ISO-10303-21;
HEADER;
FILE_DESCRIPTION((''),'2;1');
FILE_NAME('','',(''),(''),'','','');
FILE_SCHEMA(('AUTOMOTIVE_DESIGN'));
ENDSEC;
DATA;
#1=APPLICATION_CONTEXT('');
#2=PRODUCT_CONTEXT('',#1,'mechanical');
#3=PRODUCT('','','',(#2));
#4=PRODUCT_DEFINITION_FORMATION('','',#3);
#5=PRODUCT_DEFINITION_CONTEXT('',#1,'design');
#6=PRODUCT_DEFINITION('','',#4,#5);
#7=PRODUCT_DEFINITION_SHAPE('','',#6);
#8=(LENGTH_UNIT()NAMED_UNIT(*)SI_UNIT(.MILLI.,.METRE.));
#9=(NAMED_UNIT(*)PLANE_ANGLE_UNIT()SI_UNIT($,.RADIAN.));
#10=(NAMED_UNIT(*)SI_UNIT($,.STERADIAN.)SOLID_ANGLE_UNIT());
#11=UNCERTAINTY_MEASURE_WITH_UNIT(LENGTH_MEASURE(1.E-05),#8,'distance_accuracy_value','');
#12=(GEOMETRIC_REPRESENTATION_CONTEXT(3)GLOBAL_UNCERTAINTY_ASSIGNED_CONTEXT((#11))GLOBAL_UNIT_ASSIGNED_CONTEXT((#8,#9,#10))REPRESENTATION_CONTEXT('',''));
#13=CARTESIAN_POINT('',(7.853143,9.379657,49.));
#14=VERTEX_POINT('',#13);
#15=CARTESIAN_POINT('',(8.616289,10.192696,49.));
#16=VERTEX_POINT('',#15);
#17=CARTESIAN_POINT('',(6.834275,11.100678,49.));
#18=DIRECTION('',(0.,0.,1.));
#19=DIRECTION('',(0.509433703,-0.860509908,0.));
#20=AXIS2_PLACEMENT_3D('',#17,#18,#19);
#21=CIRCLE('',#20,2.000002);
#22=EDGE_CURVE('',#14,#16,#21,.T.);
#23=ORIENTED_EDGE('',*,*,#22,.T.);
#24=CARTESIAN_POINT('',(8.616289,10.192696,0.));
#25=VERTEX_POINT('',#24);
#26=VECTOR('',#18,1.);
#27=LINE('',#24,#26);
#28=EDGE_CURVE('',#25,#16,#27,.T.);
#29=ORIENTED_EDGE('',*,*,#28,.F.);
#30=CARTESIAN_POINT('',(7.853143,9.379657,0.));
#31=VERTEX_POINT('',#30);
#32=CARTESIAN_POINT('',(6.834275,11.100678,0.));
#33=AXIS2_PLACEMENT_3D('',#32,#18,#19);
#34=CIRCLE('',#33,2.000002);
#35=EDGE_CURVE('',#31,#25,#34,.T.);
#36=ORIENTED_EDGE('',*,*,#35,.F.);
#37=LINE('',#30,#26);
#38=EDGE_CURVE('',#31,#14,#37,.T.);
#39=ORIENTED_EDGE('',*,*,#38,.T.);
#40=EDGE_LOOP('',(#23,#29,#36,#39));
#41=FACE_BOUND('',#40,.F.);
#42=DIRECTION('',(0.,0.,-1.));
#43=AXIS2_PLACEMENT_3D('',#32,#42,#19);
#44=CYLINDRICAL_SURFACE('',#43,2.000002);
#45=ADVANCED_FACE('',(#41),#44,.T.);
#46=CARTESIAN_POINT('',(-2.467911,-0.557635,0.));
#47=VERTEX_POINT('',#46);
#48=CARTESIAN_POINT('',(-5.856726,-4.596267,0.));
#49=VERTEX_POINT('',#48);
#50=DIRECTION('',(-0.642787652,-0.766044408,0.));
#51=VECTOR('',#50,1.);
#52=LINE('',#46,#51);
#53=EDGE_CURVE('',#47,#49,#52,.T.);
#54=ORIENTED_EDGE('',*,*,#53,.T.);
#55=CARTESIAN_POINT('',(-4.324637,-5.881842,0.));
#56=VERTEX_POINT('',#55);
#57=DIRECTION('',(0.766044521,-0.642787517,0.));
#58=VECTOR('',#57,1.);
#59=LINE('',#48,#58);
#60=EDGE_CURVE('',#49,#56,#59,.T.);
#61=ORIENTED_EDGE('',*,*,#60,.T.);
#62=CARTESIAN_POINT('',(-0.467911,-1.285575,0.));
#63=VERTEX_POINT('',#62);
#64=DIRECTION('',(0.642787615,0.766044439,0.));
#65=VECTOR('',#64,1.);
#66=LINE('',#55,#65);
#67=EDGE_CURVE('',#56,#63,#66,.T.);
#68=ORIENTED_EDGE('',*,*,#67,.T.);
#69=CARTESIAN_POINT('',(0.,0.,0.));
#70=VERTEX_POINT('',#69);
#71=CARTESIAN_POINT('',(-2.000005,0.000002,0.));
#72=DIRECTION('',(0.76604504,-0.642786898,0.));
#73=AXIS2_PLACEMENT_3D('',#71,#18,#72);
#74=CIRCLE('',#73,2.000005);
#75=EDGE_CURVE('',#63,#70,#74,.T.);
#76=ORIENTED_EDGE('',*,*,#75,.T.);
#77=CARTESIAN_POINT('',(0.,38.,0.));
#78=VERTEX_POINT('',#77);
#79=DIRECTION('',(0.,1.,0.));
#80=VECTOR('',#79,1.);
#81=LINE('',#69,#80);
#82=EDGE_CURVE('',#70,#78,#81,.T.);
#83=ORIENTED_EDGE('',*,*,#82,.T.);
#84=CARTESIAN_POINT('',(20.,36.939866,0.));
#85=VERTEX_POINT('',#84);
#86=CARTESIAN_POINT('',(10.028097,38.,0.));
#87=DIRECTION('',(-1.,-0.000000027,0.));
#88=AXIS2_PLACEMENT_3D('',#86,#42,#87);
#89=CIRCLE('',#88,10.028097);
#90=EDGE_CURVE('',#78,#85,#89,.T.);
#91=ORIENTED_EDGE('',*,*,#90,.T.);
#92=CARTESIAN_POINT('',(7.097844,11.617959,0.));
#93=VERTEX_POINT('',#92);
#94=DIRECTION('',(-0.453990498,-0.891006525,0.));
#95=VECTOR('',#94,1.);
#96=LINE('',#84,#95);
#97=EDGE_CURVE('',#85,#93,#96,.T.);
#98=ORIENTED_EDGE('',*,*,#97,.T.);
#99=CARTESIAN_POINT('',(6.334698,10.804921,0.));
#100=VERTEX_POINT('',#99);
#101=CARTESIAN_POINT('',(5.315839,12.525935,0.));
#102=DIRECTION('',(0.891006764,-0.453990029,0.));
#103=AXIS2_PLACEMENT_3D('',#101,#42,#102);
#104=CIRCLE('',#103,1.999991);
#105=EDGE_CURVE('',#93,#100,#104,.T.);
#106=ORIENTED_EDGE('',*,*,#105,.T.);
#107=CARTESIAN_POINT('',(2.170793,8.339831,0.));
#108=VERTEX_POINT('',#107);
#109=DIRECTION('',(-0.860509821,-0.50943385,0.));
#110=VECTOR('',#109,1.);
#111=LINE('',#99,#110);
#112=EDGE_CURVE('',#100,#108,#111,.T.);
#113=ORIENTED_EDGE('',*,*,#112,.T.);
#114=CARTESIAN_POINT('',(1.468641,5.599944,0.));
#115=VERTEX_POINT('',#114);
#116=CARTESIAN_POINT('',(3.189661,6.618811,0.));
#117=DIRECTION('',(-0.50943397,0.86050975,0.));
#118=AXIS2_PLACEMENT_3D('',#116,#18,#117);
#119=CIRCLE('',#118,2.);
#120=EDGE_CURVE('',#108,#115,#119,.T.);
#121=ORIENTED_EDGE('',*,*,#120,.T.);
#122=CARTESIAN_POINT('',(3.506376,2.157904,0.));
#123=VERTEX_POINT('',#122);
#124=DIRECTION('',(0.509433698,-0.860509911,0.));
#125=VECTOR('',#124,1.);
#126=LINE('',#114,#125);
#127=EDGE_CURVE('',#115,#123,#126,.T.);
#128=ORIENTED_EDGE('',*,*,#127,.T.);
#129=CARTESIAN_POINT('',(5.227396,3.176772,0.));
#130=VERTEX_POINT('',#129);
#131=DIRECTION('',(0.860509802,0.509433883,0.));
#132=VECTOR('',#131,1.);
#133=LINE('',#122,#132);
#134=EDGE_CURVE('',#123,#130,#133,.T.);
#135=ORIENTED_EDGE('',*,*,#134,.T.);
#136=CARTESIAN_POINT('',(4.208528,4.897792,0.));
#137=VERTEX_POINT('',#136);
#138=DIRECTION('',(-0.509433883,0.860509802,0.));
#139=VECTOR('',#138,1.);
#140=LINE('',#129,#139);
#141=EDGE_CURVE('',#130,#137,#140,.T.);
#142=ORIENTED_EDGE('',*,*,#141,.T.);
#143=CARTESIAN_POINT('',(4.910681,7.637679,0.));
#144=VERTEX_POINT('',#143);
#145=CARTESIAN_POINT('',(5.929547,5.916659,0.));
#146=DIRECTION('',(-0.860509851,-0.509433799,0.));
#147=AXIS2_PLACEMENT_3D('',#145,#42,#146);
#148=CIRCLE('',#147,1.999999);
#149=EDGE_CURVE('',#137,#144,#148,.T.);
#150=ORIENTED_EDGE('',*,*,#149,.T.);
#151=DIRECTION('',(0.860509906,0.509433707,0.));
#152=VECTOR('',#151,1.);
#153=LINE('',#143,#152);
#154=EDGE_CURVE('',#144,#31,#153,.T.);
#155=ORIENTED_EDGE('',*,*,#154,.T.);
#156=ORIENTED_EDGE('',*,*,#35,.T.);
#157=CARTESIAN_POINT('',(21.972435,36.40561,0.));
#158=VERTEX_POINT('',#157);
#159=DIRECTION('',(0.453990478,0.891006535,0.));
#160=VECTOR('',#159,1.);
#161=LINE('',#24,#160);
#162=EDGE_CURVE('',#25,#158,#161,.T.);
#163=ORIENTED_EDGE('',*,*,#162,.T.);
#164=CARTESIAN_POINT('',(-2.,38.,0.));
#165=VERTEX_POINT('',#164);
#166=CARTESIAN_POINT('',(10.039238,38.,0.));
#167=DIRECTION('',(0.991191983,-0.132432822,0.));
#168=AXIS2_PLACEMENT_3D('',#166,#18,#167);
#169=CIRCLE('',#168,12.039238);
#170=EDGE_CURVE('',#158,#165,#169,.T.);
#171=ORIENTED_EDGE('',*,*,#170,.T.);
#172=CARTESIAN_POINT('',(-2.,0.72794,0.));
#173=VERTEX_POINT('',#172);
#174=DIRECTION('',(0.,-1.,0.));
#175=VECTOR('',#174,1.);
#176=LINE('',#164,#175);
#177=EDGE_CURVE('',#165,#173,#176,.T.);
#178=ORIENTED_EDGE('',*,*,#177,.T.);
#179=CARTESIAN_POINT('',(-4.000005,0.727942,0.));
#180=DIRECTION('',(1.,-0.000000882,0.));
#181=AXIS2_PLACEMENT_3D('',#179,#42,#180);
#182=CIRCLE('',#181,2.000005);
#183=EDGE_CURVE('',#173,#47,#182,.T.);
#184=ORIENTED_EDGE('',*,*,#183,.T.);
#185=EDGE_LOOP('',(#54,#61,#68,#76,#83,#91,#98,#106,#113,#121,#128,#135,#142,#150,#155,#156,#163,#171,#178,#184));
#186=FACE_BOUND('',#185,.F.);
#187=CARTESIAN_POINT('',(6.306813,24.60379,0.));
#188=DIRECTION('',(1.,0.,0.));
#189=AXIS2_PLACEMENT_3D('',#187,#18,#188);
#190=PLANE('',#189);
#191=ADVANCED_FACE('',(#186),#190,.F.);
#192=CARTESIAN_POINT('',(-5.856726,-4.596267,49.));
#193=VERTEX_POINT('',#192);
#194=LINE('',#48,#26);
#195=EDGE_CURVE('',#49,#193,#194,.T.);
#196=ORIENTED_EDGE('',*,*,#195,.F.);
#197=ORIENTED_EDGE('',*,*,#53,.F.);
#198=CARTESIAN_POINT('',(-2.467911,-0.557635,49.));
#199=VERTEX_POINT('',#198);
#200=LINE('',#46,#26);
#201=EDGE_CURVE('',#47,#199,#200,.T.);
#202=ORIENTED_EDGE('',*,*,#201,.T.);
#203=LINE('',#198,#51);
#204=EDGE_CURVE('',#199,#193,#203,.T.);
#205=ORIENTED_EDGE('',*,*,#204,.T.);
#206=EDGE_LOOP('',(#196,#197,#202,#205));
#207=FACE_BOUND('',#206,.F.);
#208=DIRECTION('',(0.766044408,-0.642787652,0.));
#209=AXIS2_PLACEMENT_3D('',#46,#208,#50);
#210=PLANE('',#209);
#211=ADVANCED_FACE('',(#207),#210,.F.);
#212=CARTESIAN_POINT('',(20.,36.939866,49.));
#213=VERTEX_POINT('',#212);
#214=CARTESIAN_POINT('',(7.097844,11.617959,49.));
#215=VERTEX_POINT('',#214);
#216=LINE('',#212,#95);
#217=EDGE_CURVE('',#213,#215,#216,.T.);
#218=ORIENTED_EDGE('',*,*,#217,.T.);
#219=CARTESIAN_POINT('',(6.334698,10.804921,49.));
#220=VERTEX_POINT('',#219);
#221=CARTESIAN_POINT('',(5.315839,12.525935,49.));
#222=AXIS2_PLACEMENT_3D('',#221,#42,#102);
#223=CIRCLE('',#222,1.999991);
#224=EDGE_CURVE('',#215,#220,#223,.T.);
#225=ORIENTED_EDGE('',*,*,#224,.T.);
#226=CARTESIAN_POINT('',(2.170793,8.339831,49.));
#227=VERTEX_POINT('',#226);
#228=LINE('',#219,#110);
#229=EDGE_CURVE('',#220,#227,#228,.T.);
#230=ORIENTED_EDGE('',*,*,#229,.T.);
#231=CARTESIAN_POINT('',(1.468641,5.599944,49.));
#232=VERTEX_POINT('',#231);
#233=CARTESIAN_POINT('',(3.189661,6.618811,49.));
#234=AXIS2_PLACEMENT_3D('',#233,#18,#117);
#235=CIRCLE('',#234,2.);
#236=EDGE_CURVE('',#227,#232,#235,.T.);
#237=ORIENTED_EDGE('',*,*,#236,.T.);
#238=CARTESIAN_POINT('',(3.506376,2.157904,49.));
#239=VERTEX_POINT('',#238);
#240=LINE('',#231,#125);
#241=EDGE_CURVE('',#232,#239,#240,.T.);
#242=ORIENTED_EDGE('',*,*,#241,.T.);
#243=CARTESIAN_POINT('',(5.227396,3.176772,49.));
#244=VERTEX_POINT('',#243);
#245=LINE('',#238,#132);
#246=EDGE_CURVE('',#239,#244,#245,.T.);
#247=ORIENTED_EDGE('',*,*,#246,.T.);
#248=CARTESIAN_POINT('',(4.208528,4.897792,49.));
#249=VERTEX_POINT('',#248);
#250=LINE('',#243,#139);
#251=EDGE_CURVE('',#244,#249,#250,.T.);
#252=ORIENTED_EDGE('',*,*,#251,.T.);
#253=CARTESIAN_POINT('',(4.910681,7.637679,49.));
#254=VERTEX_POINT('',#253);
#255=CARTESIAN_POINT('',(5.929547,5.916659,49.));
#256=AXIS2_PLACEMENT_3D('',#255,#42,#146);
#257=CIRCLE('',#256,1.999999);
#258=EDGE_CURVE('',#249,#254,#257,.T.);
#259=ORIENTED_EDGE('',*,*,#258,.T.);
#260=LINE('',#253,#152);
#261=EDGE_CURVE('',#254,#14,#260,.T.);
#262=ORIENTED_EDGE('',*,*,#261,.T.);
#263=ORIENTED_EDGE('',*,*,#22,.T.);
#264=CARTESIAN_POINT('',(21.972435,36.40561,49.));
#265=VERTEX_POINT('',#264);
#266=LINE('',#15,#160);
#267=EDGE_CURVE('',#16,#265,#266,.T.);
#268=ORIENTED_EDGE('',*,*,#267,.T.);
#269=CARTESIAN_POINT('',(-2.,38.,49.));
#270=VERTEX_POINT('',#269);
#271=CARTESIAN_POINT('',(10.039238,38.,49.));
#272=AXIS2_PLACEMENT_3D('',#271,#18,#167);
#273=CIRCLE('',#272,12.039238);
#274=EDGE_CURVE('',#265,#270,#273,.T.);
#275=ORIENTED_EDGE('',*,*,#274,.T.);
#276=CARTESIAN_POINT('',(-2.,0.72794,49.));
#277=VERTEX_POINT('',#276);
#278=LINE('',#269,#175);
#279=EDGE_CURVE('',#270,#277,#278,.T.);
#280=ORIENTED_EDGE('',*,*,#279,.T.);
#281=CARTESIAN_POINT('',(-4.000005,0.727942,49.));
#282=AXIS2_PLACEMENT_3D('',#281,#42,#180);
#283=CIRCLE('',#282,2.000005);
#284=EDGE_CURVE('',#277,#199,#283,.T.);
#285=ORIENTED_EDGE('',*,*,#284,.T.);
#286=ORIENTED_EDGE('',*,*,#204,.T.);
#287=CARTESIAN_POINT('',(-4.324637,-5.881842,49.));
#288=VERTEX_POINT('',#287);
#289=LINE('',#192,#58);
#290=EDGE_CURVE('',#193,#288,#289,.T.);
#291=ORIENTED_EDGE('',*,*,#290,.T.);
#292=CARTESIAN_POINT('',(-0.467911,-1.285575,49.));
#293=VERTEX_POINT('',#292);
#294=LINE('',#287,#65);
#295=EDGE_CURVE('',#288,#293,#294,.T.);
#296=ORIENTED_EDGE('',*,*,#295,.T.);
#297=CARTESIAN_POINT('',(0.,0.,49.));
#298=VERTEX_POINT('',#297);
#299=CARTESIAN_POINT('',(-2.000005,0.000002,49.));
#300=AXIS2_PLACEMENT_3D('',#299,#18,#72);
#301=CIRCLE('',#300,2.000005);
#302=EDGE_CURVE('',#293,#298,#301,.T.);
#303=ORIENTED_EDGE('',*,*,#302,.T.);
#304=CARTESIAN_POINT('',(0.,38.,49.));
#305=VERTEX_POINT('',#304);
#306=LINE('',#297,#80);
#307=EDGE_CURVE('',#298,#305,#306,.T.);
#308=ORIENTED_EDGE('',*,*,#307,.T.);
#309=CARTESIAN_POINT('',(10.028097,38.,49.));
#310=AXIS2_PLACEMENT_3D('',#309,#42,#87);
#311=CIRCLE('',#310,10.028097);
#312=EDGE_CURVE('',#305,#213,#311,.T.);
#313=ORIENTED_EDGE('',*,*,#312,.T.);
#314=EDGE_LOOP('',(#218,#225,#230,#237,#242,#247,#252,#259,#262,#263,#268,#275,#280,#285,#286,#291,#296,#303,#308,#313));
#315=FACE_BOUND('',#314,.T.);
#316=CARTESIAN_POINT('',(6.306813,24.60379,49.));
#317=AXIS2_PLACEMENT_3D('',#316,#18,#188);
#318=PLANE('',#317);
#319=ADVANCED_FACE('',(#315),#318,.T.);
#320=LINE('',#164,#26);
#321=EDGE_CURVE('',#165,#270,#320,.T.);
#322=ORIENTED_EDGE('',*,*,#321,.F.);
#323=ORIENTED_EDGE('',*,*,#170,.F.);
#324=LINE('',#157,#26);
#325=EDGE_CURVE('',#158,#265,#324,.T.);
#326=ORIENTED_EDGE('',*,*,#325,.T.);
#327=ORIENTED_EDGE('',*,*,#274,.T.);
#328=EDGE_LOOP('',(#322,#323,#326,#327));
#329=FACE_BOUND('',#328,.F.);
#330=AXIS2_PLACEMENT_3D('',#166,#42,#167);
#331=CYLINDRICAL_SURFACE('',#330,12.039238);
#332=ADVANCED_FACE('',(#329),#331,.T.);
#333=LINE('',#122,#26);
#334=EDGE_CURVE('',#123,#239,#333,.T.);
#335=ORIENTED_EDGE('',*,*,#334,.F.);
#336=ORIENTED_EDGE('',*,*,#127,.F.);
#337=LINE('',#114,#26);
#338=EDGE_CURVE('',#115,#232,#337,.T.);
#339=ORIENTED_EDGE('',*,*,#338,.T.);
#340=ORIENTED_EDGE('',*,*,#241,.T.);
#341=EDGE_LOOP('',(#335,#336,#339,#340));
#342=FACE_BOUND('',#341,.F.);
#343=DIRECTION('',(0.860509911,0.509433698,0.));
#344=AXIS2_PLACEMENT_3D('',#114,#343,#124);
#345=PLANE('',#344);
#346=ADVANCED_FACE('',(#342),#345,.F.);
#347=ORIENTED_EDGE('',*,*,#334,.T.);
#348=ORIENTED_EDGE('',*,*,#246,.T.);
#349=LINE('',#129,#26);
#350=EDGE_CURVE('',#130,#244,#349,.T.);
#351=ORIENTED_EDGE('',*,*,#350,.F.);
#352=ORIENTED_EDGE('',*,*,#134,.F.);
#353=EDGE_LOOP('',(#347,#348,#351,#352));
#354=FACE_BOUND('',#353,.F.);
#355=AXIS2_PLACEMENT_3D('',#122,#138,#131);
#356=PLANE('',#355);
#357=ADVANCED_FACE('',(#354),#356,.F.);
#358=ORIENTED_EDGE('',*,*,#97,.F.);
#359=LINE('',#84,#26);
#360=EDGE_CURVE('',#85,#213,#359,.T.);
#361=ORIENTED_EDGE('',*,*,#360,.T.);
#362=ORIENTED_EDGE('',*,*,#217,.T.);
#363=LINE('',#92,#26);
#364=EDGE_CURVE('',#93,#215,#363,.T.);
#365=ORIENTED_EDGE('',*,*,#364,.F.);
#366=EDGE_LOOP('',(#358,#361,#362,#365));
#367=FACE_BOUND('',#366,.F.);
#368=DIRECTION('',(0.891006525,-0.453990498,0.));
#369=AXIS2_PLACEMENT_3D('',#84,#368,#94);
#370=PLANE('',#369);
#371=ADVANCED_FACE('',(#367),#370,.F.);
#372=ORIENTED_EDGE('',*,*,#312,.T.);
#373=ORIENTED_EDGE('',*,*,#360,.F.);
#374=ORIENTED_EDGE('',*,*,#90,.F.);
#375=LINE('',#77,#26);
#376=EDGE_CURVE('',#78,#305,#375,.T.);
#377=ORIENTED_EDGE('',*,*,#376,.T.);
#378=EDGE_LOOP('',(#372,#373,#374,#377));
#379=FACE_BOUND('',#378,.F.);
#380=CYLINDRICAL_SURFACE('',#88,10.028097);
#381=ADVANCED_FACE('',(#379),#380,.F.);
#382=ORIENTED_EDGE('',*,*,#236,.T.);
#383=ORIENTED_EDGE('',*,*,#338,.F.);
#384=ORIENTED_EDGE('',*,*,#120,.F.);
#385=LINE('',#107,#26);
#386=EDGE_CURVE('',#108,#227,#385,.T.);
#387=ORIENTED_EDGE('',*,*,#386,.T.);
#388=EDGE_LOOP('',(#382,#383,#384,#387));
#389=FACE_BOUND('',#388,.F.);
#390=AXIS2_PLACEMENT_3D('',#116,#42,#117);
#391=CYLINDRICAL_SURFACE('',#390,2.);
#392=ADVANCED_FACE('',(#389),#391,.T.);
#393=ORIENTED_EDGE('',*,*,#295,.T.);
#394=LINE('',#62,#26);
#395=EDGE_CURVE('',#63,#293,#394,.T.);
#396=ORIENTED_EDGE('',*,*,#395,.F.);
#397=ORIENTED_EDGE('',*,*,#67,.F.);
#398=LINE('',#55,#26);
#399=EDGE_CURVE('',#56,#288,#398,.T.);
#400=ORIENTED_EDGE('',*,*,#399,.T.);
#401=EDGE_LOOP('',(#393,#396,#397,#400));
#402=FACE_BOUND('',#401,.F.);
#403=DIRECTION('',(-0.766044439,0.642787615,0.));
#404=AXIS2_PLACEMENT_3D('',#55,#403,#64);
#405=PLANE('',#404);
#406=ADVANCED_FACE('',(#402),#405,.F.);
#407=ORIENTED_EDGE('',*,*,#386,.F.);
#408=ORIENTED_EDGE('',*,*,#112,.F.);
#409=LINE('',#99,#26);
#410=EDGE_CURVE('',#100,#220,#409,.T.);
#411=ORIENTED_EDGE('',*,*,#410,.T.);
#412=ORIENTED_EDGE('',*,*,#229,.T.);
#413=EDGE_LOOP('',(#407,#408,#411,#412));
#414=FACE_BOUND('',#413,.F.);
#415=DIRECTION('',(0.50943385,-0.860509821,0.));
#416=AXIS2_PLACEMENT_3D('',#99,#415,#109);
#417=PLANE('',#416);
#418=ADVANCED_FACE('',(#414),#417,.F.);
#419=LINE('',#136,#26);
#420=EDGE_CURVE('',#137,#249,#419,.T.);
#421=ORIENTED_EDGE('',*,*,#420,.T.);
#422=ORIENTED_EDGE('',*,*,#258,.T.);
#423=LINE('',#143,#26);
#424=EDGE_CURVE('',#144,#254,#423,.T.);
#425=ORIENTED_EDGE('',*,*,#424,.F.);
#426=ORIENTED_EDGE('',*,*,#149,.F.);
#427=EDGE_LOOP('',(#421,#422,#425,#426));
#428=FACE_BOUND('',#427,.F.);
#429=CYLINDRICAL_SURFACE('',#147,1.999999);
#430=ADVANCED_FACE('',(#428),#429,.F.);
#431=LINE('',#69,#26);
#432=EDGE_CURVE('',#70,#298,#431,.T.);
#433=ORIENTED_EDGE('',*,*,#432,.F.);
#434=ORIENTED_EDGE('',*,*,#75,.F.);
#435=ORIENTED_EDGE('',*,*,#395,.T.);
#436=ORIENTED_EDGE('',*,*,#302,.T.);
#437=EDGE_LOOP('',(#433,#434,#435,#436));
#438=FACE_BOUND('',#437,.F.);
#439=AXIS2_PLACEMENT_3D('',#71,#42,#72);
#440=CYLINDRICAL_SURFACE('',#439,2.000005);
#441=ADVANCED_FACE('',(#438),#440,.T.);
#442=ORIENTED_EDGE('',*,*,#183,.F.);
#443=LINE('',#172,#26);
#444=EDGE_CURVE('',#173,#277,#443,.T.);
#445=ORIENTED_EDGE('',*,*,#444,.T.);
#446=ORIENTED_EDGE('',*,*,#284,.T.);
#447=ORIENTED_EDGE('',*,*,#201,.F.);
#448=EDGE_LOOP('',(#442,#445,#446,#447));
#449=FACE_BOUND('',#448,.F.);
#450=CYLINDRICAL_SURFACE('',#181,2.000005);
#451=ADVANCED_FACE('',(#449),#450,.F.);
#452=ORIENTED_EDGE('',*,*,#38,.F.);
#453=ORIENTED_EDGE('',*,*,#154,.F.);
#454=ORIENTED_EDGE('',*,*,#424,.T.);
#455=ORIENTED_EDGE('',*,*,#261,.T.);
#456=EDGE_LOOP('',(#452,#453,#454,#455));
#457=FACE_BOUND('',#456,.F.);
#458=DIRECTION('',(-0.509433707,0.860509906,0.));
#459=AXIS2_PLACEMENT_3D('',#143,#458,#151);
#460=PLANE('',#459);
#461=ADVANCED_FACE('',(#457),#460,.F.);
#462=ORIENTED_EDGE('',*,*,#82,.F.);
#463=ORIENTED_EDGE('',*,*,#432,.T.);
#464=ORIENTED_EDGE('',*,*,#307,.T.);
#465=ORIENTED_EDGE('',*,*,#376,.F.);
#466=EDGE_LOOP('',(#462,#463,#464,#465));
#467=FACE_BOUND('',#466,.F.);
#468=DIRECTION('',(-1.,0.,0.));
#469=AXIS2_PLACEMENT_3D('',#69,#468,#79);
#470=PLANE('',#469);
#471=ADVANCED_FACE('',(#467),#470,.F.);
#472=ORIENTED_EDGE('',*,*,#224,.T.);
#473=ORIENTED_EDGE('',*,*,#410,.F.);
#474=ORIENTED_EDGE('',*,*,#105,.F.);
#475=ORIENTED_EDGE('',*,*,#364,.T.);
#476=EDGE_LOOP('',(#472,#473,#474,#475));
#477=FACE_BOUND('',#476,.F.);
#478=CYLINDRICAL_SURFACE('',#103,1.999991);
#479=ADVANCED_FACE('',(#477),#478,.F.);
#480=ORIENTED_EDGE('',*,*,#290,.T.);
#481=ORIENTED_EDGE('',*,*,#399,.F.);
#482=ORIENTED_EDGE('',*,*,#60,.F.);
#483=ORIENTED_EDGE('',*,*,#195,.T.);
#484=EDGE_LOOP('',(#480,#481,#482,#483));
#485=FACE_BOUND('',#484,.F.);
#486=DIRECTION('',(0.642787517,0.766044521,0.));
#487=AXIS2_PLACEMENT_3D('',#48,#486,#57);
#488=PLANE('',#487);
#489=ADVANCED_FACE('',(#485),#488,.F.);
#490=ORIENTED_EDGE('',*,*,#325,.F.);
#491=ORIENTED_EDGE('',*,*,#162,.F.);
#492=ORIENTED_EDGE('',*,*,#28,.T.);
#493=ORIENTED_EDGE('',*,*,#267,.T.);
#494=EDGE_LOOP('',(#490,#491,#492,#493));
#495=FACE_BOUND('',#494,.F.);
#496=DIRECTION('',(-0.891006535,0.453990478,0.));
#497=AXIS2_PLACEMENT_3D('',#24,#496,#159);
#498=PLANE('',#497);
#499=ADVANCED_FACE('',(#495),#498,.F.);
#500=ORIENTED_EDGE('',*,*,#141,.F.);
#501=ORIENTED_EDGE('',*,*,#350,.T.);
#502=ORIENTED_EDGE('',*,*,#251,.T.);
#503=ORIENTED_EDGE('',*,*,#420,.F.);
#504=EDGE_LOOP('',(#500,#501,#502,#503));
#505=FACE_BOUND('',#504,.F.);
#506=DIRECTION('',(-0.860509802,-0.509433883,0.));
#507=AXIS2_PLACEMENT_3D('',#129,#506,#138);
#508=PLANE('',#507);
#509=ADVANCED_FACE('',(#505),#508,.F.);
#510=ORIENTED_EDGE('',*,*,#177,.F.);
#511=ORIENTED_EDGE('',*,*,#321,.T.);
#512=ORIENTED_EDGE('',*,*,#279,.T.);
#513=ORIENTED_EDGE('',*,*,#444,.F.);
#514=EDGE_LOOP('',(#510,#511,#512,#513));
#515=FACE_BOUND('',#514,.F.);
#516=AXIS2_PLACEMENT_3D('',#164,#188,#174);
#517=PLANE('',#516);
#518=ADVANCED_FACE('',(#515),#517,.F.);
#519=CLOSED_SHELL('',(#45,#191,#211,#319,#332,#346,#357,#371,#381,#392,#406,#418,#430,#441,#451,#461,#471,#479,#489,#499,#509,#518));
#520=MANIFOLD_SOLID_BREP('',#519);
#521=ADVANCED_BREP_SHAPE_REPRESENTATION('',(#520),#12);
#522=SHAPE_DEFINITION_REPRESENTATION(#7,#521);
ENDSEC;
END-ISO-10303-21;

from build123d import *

# Parameters (mm, degrees)
F1_DEPTH = 49


with BuildPart() as f1:
    # F0 (on Top) → F1 (new body)
    with BuildSketch(Plane.XY):
        with BuildLine():
            ThreePointArc((-0.467911, -1.285575), (-0.120615, -0.68404), (0, 0))
            Line((0, 0), (0, 38))
            ThreePointArc((0, 38), (10.558908, 48.014039), (20, 36.939866))
            Line((20, 36.939866), (7.097844, 11.617959))
            ThreePointArc((7.097844, 11.617959), (6.77408, 11.157178), (6.334698, 10.804921))
            Line((6.334698, 10.804921), (2.170793, 8.339831))
            ThreePointArc((2.170793, 8.339831), (1.252268, 7.115308), (1.468641, 5.599944))
            Line((1.468641, 5.599944), (3.506376, 2.157904))
            Line((3.506376, 2.157904), (5.227396, 3.176772))
            Line((5.227396, 3.176772), (4.208528, 4.897792))
            ThreePointArc((4.208528, 4.897792), (3.992155, 6.413156), (4.910681, 7.637679))
            Line((4.910681, 7.637679), (7.853143, 9.379657))
            ThreePointArc((7.853143, 9.379657), (8.292525, 9.731915), (8.616289, 10.192696))
            Line((8.616289, 10.192696), (21.972435, 36.40561))
            ThreePointArc((21.972435, 36.40561), (10.838195, 50.012699), (-2, 38))
            Line((-2, 38), (-2, 0.72794))
            ThreePointArc((-2, 0.72794), (-2.120615, 0.0439), (-2.467911, -0.557635))
            Line((-2.467911, -0.557635), (-5.856726, -4.596267))
            Line((-5.856726, -4.596267), (-4.324637, -5.881842))
            Line((-4.324637, -5.881842), (-0.467911, -1.285575))
        make_face()
    extrude(amount=F1_DEPTH)


solid = f1.part
